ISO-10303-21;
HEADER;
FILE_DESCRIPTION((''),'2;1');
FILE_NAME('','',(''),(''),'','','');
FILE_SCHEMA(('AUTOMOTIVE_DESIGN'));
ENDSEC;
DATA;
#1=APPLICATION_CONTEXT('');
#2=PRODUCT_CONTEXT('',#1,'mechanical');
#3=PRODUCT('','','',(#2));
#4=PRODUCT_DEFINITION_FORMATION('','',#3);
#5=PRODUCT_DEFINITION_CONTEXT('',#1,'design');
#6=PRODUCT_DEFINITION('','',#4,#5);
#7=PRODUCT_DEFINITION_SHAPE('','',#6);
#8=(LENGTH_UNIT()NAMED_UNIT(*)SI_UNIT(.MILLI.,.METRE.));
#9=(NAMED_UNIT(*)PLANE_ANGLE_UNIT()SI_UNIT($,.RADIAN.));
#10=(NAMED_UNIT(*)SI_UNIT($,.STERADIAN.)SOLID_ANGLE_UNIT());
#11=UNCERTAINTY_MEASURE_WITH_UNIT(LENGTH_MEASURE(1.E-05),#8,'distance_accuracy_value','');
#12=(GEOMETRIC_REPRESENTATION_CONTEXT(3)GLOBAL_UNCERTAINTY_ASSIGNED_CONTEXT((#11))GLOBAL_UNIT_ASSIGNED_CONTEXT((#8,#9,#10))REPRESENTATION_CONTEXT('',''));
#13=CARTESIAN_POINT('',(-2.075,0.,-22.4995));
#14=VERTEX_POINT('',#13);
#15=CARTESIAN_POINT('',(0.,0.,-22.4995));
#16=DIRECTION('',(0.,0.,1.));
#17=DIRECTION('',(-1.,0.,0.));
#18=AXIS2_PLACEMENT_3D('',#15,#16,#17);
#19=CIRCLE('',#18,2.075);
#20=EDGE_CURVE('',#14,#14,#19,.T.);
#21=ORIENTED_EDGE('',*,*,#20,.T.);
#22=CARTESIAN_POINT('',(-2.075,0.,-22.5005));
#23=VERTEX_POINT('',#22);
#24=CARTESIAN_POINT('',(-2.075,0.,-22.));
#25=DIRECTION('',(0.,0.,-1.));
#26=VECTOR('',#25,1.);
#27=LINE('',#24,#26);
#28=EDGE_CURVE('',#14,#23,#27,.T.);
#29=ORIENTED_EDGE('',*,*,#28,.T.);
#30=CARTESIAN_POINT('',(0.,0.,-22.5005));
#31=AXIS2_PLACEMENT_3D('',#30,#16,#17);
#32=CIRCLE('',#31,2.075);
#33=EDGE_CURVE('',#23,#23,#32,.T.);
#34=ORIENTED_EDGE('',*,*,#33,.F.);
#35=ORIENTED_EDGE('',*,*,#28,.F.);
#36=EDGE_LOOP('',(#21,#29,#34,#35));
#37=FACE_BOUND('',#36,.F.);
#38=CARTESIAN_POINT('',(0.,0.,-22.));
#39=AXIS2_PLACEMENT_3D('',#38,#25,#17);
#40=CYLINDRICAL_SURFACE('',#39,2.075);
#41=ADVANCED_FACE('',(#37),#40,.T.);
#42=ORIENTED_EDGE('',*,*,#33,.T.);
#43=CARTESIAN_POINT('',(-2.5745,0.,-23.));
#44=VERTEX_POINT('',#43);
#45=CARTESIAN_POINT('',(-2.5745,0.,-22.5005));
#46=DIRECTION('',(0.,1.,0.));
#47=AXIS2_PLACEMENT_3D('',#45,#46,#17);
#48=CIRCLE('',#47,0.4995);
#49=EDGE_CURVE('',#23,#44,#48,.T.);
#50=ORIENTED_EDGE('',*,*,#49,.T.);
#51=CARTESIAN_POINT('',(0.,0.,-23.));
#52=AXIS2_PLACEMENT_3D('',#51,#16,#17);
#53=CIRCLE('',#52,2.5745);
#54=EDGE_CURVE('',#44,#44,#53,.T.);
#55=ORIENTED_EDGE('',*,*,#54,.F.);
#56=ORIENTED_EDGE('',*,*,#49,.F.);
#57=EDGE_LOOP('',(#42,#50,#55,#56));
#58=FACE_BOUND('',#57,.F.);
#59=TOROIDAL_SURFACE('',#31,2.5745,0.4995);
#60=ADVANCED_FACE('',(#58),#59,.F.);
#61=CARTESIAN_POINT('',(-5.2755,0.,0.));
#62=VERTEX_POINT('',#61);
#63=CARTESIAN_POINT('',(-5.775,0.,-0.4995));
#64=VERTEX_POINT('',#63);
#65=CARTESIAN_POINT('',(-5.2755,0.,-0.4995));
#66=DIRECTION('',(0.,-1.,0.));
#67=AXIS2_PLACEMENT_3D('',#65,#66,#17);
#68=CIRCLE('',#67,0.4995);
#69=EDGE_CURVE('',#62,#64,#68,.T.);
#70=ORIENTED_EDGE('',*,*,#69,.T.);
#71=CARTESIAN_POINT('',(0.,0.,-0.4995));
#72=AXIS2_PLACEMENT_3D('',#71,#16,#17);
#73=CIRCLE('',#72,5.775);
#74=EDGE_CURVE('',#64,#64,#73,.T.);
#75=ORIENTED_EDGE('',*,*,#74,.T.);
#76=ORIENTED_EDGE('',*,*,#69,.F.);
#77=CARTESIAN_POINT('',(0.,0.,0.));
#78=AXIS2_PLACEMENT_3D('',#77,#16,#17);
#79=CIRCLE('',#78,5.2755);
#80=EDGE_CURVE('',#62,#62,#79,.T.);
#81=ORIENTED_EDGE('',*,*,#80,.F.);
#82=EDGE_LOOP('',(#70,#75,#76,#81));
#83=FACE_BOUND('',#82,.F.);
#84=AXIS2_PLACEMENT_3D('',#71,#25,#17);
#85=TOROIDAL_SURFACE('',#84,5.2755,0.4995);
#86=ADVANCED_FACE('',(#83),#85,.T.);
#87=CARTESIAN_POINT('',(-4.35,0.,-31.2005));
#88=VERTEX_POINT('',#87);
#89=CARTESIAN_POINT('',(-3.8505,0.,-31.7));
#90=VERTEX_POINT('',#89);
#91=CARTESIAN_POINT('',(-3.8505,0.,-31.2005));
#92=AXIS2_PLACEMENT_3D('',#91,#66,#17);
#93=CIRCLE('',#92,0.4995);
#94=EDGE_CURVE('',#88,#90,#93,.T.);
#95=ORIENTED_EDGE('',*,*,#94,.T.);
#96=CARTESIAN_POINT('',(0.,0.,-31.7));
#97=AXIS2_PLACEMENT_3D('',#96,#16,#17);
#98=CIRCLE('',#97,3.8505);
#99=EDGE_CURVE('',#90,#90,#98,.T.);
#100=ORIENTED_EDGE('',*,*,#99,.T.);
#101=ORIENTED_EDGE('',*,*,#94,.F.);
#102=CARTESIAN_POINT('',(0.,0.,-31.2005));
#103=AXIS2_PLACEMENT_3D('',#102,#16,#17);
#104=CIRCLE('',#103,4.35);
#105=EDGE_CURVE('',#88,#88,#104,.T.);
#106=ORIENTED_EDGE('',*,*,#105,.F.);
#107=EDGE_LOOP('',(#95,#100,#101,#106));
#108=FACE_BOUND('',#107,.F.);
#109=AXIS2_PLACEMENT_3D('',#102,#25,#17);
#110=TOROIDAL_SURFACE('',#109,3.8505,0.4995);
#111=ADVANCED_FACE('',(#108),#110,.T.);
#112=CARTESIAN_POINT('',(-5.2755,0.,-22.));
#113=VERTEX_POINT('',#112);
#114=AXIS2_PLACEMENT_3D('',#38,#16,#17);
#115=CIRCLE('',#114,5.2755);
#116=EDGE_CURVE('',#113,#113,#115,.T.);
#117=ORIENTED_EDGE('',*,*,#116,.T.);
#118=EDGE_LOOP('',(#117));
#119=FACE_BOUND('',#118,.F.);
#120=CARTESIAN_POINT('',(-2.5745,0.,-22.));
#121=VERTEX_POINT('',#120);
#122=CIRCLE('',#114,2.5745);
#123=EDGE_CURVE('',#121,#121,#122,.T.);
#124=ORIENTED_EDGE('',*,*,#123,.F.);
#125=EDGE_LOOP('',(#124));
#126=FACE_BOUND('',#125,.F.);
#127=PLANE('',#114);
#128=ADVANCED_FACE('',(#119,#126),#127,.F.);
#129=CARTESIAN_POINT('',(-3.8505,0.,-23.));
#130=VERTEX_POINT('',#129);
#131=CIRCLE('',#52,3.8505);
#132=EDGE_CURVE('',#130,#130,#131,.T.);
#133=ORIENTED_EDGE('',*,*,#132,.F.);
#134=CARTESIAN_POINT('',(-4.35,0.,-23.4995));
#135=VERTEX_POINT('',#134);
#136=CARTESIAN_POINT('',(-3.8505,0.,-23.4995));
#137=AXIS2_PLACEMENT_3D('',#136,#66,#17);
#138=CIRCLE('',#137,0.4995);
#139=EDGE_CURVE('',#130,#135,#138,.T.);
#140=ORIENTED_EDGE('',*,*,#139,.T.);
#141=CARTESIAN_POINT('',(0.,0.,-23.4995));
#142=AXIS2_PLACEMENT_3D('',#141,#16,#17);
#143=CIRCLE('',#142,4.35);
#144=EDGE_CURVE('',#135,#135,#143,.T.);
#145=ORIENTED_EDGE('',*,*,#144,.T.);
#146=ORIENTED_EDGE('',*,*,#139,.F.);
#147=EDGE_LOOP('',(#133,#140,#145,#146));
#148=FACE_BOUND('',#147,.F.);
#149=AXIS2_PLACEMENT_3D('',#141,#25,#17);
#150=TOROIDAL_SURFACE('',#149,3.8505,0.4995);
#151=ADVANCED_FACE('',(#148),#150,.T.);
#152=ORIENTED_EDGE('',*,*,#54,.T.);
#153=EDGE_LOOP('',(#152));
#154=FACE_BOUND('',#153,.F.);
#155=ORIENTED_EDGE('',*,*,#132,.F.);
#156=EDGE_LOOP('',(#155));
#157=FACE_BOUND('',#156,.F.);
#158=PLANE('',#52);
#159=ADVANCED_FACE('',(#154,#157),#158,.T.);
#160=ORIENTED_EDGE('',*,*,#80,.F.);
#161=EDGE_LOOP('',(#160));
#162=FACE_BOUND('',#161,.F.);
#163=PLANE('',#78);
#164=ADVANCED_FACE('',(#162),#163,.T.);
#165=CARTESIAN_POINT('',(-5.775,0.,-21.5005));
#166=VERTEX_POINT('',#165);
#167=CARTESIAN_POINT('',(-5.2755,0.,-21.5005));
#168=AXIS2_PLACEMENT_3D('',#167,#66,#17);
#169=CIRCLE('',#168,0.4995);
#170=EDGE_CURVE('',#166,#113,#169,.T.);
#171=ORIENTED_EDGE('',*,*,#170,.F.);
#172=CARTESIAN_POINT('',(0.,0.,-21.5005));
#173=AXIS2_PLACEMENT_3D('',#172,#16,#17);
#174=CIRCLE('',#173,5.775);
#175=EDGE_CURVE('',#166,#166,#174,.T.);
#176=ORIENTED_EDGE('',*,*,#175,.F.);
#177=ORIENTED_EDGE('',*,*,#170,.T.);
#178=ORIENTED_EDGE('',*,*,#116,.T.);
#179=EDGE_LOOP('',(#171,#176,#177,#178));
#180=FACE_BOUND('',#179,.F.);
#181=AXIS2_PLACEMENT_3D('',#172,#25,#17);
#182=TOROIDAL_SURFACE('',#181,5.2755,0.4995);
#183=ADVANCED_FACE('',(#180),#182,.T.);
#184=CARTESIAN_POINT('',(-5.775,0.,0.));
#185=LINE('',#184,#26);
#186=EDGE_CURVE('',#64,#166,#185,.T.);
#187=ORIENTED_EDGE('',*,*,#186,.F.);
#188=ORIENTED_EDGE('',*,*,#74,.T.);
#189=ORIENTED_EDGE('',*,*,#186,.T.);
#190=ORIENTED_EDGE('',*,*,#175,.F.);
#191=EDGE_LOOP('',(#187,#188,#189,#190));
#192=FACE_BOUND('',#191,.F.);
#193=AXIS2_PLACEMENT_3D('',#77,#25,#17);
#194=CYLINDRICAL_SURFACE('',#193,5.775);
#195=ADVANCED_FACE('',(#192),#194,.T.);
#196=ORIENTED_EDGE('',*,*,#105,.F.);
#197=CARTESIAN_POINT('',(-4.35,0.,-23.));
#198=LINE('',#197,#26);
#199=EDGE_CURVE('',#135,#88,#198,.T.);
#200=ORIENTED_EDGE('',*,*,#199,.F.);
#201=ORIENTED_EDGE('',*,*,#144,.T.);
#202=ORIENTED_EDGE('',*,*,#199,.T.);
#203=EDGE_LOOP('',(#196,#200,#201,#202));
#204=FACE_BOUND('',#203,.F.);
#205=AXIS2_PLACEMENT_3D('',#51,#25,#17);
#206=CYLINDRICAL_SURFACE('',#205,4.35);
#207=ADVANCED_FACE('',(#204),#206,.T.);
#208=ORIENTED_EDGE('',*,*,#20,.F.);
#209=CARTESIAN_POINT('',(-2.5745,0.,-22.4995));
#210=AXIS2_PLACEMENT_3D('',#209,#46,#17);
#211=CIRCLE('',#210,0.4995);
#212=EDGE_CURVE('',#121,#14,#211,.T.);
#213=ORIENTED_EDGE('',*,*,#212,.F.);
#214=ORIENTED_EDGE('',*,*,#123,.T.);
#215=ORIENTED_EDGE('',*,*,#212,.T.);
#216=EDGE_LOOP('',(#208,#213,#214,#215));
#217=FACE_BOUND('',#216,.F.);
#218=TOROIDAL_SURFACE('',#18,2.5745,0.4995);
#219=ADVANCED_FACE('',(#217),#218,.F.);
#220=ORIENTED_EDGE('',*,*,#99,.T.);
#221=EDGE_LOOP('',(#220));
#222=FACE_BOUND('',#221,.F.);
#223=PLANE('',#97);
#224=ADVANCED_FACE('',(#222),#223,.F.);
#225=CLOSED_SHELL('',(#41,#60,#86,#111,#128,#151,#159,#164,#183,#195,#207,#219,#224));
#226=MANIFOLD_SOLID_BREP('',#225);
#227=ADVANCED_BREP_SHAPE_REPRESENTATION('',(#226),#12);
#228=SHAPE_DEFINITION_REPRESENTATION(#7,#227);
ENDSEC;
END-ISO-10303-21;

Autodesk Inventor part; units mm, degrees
ref_plane "YZ Plane" through (0, 0, 0) normal (1, 0, 0) x (0, 1, 0)
ref_plane "XZ Plane" through (0, 0, 0) normal (0, 1, 0) x (-1, 0, 0)
ref_plane "XY Plane" through (0, 0, 0) normal (0, 0, 1) x (1, 0, 0)
sketch "Skizze1" plane through (0, 0, 0) normal (0, 1, 0) x (-1, 0, 0)
  line L0 (0, 0) -> (5.775, 0)
  line L1 (5.775, 0) -> (5.775, -22)
  line L2 (5.775, -22) -> (2.075, -22)
  line L3 (2.075, -22) -> (2.075, -23)
  line L4 (2.075, -23) -> (4.35, -23)
  line L5 (4.35, -23) -> (4.35, -31.7)
  line L6 (4.35, -31.7) -> (0, -31.7)
  line L7 (0, -31.7) -> (0, 0)
  dimension "d0" = 5.775
  dimension "d1" = 22
  dimension "d2" = 3.7
  dimension "d3" = 1
  dimension "d4" = 8.7
  dimension "d5" = 4.35
revolve "Umdrehung1" add sketch "Skizze1" angle 360 about axis through (0, 0, -31.7) along (0, 0, 1)
fillet "Rundung1" radius 0.5 6 edges at (5.775, 0, -22) (5.775, 0, 0) (4.35, 0, -23) (4.35, 0, -31.7) (2.075, 0, -22) (2.075, 0, -23)
thread "Gewinde1" size "M9x1.25" class "6g" standard "ANSI Metric M Profile" full length
properties part number "Glas"
